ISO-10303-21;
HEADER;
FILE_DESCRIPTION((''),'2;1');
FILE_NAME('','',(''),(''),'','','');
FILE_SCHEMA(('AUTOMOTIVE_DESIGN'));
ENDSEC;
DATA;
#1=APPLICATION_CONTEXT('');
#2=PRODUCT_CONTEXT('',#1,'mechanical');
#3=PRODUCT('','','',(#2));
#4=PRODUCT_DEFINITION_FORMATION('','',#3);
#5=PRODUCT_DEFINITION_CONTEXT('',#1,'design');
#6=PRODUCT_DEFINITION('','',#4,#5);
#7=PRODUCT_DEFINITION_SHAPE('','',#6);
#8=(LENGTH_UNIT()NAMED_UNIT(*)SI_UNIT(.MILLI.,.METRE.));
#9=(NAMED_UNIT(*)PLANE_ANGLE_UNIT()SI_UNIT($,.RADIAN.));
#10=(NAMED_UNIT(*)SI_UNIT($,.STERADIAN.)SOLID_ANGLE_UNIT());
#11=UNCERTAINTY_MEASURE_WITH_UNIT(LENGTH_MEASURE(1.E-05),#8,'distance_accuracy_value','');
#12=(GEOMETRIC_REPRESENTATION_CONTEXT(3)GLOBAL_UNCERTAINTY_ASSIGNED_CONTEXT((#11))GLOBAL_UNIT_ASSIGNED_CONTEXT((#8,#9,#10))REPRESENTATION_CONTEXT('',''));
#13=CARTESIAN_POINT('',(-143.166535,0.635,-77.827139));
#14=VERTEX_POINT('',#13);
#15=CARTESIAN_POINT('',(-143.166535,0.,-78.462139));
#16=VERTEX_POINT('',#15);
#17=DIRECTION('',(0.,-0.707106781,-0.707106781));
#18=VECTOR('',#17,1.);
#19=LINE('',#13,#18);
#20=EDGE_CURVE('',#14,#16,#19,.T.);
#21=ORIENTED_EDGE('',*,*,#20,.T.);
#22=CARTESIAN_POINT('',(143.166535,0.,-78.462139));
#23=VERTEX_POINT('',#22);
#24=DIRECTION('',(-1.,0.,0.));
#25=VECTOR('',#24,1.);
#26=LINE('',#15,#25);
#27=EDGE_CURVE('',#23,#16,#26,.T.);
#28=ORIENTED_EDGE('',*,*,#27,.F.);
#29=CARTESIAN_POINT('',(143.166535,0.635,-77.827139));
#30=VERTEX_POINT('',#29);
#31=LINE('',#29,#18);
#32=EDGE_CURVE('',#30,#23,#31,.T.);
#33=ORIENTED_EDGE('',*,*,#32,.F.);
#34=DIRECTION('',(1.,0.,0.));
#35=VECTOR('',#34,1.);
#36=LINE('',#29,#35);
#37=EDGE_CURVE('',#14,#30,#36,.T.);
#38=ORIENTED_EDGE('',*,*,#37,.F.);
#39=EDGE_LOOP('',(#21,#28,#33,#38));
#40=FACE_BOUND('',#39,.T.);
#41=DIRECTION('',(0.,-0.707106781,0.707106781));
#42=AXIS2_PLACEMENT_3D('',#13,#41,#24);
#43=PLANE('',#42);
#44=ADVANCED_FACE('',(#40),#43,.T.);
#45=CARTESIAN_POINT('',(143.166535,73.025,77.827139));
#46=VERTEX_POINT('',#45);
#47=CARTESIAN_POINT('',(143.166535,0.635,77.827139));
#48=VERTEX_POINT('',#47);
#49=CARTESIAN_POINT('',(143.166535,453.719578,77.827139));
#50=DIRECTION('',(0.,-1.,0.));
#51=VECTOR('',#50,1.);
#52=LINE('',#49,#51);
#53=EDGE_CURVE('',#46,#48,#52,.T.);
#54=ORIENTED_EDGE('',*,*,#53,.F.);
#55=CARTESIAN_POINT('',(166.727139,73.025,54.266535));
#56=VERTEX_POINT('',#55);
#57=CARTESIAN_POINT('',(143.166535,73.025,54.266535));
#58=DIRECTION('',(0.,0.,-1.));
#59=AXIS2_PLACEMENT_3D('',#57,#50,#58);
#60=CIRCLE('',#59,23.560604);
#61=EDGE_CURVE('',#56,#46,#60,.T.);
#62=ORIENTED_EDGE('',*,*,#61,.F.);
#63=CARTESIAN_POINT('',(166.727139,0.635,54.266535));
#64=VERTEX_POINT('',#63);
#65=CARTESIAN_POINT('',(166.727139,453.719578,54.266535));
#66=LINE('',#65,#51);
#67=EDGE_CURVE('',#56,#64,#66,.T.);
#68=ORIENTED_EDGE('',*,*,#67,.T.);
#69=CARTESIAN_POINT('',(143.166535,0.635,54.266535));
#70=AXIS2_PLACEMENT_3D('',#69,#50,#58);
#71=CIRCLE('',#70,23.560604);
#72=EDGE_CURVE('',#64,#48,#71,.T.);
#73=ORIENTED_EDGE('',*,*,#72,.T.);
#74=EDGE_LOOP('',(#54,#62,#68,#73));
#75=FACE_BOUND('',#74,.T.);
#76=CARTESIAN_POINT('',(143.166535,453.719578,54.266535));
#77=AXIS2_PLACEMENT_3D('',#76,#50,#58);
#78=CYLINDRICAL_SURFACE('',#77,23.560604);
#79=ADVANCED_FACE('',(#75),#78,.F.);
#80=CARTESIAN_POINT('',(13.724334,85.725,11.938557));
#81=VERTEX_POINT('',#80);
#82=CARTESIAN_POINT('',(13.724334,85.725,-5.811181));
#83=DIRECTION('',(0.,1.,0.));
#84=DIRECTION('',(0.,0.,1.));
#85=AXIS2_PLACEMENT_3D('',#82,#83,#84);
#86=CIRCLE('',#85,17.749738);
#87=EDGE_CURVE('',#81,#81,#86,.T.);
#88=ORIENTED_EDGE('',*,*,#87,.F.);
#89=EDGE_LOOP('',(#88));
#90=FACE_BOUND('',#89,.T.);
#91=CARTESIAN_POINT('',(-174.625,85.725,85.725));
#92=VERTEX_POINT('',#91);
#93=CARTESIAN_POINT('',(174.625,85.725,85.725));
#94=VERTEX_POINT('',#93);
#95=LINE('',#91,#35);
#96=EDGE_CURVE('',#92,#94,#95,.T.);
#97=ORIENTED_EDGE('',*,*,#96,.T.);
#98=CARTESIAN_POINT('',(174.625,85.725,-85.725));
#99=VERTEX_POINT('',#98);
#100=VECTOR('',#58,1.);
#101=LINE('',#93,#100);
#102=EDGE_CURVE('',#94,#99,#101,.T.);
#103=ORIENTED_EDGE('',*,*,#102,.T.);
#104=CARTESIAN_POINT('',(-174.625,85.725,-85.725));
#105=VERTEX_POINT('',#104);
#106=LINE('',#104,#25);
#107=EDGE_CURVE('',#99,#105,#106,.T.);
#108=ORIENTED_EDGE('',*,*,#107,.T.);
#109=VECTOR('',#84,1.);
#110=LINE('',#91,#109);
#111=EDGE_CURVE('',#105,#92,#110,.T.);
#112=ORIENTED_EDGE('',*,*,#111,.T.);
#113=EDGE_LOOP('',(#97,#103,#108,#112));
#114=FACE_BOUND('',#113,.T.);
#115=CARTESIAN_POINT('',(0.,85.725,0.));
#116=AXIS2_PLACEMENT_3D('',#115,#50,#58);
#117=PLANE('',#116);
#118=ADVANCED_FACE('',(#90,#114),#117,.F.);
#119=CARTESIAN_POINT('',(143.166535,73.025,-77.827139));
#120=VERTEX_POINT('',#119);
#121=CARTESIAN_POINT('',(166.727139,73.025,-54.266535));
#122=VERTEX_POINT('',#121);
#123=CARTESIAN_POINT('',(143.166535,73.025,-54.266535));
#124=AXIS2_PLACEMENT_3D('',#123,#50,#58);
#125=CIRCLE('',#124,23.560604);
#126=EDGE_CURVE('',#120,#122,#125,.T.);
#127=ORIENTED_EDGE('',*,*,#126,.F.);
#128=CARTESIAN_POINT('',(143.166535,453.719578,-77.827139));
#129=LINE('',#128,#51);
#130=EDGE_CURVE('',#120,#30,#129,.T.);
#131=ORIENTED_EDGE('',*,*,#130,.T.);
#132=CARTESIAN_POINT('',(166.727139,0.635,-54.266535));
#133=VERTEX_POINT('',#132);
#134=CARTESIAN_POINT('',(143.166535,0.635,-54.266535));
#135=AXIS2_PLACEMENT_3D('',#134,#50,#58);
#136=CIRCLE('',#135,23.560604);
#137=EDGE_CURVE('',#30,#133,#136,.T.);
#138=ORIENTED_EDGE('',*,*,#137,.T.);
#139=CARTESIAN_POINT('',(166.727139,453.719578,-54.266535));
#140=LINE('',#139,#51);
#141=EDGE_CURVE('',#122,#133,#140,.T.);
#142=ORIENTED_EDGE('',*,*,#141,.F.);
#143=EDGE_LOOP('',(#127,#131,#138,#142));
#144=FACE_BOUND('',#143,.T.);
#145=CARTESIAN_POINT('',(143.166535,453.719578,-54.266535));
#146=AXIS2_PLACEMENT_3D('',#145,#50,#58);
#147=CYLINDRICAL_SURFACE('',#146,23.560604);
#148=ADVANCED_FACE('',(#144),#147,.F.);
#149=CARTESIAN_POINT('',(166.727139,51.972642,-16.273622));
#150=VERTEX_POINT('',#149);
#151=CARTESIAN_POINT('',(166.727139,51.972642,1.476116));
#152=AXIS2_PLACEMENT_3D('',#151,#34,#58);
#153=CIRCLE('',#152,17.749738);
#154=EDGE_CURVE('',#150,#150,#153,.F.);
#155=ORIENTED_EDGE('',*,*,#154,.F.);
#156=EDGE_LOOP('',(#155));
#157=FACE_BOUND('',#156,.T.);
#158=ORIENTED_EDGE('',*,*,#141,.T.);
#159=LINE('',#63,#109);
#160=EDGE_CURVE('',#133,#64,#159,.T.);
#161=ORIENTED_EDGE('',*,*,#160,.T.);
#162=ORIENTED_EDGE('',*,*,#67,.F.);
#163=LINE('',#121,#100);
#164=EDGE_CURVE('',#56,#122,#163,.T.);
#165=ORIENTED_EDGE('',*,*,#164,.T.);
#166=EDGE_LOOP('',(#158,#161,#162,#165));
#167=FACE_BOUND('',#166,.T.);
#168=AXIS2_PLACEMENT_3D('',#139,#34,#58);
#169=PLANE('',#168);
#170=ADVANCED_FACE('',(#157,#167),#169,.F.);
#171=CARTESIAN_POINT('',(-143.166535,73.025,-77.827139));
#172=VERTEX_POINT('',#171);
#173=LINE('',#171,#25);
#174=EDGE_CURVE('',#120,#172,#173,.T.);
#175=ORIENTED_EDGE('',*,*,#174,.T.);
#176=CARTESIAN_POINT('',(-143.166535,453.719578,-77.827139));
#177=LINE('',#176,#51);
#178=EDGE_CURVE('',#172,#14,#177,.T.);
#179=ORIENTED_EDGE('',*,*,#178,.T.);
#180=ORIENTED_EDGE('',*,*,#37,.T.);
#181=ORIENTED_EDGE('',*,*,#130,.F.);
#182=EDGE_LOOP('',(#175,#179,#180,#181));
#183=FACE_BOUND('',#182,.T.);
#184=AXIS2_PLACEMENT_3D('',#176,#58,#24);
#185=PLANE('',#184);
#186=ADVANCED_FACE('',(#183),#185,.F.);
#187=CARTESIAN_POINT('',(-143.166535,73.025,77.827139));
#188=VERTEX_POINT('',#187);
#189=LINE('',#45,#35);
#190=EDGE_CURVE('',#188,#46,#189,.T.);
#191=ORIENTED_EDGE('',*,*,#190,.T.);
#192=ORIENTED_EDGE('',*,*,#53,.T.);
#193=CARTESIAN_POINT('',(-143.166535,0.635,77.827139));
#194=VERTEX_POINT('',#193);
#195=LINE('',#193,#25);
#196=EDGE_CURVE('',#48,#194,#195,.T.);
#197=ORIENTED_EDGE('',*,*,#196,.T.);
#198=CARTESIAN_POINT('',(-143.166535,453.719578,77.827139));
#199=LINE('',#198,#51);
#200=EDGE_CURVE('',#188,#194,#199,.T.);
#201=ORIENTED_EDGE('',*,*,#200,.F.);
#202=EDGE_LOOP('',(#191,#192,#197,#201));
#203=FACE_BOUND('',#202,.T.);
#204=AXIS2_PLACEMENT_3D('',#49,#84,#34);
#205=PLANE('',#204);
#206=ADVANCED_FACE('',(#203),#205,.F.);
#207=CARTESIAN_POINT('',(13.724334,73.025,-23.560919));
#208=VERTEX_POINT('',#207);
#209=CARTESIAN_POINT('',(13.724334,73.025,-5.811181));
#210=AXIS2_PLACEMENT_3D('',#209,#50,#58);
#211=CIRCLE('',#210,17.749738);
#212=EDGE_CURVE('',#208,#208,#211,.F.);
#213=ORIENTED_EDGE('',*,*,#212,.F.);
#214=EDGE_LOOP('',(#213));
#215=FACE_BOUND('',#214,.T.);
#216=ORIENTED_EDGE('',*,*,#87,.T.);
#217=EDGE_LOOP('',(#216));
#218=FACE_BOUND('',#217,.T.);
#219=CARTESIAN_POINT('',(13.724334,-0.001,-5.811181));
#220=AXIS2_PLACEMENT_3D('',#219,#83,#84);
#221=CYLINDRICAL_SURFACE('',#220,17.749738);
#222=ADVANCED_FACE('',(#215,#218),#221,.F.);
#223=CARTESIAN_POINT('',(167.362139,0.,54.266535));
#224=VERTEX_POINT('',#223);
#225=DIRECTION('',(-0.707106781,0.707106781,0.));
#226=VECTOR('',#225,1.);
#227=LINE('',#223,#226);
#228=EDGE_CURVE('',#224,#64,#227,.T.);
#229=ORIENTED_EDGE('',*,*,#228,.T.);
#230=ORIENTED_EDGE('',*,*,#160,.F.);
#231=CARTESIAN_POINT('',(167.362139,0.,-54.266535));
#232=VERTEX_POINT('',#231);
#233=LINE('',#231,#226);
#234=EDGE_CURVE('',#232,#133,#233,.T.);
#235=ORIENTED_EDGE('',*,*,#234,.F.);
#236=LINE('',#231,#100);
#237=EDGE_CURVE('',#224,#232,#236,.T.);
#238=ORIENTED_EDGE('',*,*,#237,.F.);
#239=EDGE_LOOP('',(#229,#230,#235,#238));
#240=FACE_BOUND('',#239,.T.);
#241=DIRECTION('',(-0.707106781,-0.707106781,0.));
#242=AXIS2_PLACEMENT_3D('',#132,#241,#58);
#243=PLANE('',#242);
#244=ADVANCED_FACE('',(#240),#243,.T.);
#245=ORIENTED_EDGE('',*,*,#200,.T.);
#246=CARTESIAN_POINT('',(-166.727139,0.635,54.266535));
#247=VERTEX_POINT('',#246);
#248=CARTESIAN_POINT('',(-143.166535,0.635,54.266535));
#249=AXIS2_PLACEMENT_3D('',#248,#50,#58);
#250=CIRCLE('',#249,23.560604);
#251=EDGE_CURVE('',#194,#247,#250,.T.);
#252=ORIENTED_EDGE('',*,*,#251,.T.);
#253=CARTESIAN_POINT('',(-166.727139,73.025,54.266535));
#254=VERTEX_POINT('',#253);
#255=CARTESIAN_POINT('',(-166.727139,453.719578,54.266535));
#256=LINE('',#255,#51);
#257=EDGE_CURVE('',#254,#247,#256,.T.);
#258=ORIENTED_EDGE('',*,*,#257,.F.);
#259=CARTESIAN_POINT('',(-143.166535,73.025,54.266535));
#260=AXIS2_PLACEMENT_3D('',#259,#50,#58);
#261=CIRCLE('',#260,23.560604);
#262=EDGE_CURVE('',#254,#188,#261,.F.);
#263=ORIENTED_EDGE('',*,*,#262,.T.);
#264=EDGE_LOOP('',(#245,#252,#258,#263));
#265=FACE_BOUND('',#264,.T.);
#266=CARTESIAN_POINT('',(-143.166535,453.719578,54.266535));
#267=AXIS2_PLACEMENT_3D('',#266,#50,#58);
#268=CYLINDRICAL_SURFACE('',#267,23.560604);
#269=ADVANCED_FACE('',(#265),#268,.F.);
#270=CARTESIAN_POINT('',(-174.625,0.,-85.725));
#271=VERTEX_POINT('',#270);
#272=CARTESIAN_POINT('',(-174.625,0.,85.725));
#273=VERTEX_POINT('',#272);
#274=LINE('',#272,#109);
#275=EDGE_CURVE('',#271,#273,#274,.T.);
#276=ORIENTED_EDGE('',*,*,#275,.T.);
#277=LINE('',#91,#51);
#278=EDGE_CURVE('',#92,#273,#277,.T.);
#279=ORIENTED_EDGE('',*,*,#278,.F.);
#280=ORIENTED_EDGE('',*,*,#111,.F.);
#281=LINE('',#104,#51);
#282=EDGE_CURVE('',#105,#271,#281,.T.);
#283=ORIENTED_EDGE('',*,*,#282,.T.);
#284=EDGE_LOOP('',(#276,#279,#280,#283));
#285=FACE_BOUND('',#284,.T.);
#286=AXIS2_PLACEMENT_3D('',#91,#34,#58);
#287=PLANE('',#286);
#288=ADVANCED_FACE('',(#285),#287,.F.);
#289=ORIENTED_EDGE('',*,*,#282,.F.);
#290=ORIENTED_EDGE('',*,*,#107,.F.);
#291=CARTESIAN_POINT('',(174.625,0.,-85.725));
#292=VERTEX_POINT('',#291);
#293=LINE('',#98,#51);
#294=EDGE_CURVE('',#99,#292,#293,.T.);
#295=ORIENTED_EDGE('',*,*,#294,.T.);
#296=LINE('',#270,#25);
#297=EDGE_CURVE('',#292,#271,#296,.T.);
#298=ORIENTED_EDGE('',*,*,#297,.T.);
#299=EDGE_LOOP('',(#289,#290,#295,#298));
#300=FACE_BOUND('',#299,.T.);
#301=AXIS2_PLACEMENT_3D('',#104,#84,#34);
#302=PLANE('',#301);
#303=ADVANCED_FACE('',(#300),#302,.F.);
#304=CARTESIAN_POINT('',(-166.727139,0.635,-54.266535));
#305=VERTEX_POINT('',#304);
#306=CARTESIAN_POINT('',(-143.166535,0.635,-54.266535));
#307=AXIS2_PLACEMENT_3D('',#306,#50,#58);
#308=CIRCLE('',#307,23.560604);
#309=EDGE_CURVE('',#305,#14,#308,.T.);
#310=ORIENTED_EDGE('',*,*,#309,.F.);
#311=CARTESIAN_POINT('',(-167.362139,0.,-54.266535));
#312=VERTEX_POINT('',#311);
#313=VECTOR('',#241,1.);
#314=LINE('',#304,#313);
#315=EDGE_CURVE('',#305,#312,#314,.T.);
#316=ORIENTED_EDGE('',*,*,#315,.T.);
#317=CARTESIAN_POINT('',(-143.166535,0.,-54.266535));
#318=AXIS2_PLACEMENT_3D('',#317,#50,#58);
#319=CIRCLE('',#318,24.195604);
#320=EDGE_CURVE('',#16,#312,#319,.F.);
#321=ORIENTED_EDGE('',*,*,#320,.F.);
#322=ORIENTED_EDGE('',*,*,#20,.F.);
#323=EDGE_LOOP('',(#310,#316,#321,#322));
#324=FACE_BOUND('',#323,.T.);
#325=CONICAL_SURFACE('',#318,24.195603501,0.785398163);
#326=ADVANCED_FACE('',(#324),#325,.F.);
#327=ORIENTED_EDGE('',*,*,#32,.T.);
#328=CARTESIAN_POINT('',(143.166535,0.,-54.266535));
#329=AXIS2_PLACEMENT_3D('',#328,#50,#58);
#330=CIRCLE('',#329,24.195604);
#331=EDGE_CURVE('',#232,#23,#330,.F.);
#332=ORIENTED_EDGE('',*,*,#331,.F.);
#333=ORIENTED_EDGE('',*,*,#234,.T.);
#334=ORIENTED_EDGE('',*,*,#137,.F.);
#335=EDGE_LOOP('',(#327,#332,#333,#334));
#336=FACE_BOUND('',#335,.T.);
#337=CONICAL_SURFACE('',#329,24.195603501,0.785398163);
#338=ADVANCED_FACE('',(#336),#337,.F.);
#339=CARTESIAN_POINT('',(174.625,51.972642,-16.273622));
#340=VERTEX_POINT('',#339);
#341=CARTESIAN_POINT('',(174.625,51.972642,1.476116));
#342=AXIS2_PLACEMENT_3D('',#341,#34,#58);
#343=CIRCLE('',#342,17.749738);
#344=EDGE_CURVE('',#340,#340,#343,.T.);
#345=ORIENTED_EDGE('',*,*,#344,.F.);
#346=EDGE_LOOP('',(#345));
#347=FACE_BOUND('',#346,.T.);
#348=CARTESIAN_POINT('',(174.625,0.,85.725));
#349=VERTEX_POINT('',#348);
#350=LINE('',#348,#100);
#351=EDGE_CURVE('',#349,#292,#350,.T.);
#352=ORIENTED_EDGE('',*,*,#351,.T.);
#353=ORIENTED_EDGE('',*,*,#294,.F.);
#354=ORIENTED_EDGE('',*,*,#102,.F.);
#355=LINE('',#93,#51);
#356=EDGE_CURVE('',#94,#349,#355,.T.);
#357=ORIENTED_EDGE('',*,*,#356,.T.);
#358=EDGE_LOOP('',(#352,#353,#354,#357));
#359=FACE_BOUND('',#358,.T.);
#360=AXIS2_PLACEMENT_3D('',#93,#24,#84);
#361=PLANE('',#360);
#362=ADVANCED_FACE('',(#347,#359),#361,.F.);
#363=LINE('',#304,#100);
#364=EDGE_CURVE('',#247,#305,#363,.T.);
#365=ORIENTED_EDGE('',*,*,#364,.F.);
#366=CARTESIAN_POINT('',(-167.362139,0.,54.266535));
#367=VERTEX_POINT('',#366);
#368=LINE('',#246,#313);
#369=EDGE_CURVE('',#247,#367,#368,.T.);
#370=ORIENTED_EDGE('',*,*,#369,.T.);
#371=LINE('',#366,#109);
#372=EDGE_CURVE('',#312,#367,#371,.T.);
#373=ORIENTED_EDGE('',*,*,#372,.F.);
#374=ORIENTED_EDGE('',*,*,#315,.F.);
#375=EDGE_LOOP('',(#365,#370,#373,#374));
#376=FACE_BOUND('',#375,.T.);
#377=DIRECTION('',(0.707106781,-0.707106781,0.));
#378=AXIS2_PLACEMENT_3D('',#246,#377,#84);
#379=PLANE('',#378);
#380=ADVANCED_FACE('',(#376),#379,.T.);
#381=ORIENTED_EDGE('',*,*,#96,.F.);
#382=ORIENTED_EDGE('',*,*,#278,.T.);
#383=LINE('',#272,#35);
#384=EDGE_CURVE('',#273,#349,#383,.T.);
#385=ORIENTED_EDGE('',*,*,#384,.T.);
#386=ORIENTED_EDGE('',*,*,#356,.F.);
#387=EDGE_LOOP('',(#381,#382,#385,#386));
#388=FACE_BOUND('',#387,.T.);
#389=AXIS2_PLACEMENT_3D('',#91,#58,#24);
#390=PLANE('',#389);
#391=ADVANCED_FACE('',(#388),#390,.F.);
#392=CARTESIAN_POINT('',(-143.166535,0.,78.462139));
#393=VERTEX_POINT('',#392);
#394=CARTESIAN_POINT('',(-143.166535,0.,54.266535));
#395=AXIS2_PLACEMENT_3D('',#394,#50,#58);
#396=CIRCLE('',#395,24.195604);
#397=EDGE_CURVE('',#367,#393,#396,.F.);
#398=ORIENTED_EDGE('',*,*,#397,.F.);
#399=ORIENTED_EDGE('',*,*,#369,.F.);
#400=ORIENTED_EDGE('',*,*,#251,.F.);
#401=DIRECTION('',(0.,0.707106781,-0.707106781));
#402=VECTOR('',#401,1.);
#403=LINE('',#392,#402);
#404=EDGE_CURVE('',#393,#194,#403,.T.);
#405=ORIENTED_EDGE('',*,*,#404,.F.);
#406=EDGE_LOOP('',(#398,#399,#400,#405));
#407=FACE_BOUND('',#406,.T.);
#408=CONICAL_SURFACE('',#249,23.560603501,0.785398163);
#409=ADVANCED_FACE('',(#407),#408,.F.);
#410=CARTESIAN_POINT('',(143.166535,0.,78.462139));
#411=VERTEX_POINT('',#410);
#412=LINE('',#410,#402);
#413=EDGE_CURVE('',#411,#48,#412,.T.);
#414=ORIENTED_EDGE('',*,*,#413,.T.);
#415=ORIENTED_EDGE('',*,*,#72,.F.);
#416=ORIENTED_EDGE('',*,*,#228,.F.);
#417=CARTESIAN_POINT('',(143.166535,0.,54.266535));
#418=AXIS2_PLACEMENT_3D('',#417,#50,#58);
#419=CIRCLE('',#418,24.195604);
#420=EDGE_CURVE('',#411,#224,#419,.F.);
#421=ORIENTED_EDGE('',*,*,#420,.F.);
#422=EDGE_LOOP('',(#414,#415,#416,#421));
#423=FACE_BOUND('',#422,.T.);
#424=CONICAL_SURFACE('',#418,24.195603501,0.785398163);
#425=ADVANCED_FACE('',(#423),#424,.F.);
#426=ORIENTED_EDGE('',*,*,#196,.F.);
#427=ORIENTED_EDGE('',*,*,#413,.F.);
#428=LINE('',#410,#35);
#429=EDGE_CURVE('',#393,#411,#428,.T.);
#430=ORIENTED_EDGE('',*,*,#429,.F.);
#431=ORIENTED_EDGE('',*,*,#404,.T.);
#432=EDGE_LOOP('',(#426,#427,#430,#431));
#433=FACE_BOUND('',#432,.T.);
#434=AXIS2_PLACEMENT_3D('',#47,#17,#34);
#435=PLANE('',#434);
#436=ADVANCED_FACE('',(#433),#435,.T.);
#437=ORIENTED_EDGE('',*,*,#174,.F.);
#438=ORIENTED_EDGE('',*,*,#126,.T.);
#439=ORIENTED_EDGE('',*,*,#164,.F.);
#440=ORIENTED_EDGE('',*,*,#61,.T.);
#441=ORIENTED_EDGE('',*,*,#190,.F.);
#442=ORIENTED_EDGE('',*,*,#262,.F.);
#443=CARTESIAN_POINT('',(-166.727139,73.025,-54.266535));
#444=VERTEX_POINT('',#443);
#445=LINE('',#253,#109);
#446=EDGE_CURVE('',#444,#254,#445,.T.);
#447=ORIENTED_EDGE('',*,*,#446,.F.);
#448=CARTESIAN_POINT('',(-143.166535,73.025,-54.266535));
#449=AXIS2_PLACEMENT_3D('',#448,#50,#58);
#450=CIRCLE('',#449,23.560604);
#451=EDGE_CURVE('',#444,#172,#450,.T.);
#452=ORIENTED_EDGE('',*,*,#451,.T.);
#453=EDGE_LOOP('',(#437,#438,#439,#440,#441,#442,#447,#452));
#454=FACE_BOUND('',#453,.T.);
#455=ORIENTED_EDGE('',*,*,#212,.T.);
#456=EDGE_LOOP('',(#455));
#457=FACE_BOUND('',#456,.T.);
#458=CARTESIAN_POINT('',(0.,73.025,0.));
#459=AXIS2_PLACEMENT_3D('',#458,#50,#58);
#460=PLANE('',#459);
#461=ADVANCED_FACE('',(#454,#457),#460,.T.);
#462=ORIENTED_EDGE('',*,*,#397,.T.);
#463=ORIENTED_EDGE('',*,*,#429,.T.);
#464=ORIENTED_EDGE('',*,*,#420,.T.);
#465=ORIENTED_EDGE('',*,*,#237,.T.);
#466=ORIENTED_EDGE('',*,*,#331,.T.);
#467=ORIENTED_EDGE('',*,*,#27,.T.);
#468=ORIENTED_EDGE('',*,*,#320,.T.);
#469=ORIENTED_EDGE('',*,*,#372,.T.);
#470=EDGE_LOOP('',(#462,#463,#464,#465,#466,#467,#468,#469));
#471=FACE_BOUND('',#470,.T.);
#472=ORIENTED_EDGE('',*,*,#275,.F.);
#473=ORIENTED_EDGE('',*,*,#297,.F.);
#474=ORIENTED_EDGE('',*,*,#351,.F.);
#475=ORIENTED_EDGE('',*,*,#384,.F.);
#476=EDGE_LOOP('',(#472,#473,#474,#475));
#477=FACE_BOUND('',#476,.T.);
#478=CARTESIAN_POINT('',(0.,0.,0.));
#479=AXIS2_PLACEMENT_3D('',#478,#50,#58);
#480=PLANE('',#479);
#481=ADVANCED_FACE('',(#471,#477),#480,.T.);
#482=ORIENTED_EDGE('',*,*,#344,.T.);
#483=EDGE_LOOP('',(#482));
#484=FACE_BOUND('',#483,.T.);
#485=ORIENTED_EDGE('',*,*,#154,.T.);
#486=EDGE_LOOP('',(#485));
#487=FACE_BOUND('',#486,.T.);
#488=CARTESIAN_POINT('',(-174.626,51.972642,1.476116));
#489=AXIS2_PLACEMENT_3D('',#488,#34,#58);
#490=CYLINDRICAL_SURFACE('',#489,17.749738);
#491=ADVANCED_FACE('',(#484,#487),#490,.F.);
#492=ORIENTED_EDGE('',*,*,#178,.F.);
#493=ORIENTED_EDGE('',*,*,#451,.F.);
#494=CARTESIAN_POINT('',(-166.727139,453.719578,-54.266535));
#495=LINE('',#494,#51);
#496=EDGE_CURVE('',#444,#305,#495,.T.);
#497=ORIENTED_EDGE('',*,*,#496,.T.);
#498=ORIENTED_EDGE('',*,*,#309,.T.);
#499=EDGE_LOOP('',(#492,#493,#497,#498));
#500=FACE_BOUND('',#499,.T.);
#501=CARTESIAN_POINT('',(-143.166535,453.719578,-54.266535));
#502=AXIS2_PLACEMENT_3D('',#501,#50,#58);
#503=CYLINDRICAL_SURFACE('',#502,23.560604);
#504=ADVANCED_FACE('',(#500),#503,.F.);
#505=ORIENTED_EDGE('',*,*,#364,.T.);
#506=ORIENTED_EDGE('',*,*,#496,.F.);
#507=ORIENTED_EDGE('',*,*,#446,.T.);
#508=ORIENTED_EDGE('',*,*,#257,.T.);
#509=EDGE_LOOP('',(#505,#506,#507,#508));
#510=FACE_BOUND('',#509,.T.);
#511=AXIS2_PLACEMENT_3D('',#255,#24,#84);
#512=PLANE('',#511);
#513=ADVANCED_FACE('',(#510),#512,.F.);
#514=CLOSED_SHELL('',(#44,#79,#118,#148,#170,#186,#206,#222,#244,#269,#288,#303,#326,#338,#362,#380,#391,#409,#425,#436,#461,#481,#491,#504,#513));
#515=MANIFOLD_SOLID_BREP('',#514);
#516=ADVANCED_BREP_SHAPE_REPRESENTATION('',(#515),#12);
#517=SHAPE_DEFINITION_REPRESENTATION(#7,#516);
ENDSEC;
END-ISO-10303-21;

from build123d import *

# Parameters (mm, degrees)
SKETCH1_W           = 349.25
SKETCH1_H           = 171.45
BOSS_EXTRUDE1_DEPTH = 85.725
CUT_EXTRUDE1_DEPTH  = 73.025
CUT_EXTRUDE2_REACH  = 87.725
SKETCH5_R           = 17.749738032
CUT_EXTRUDE3_REACH  = 351.25
SKETCH6_R           = 17.749738032
CHAMFER1_SIZE       = 0.635


with BuildPart() as part:
    # Sketch1 → Boss-Extrude1 (new body)
    with BuildSketch(Plane(origin=(0, 0, 0), x_dir=(1, 0, 0), z_dir=(0, 1, 0))):
        Rectangle(SKETCH1_W, SKETCH1_H)
    extrude(amount=BOSS_EXTRUDE1_DEPTH)

    # Sketch2 → Cut-Extrude1 (cut)
    with BuildSketch(Plane.XZ):
        with BuildLine():
            Line((143.166535328, 77.827138829), (-143.166535328, 77.827138829))
            ThreePointArc((-143.166535328, 77.827138829), (-159.826397833, 70.926397833), (-166.727138829, 54.266535328))
            Line((-166.727138829, 54.266535328), (-166.727138829, -54.266535328))
            ThreePointArc((-166.727138829, -54.266535328), (-159.826397833, -70.926397833), (-143.166535328, -77.827138829))
            Line((-143.166535328, -77.827138829), (143.166535328, -77.827138829))
            ThreePointArc((143.166535328, -77.827138829), (159.826397833, -70.926397833), (166.727138829, -54.266535328))
            Line((166.727138829, -54.266535328), (166.727138829, 54.266535328))
            ThreePointArc((166.727138829, 54.266535328), (159.826397833, 70.926397833), (143.166535328, 77.827138829))
        make_face()
    extrude(amount=-CUT_EXTRUDE1_DEPTH, mode=Mode.SUBTRACT)

    # Sketch5 → Cut-Extrude2 (cut, up to next)
    with BuildSketch(Plane(origin=(0, 85.725, 0), x_dir=(1, 0, 0), z_dir=(0, 1, 0)), mode=Mode.PRIVATE) as cut_extrude2_sk1:
        with Locations((13.724333657, 5.811180929)):
            Circle(SKETCH5_R)
    cut_extrude2_tool1 = extrude(cut_extrude2_sk1.sketch, amount=-CUT_EXTRUDE2_REACH, mode=Mode.PRIVATE) & part.part
    add(cut_extrude2_tool1.solids().sort_by_distance((13.724334, 85.725, -5.811181))[0], mode=Mode.SUBTRACT)

    # Sketch6 → Cut-Extrude3 (cut, up to next)
    with BuildSketch(Plane(origin=(174.625, 0, 0), x_dir=(0, 0, -1), z_dir=(1, 0, 0)), mode=Mode.PRIVATE) as cut_extrude3_sk1:
        with Locations((-1.47611621, 51.972642264)):
            Circle(SKETCH6_R)
    cut_extrude3_tool1 = extrude(cut_extrude3_sk1.sketch, amount=-CUT_EXTRUDE3_REACH, mode=Mode.PRIVATE) & part.part
    add(cut_extrude3_tool1.solids().sort_by_distance((174.625, 51.972642, 1.476116))[0], mode=Mode.SUBTRACT)

    # Chamfer1
    chamfer1_edges = [part.edges().sort_by_distance(p)[0] for p in [
        (159.826397833, 0, 70.926397833),
        (159.826397833, 0, -70.926397833),
        (-159.826397833, 0, -70.926397833),
        (0, 0, 77.827138829),
        (-159.826397833, 0, 70.926397833),
        (-166.727138829, 0, 0),
        (0, 0, -77.827138829),
        (166.727138829, 0, 0),
    ]]
    chamfer(chamfer1_edges, length=CHAMFER1_SIZE)


solid = part.part
